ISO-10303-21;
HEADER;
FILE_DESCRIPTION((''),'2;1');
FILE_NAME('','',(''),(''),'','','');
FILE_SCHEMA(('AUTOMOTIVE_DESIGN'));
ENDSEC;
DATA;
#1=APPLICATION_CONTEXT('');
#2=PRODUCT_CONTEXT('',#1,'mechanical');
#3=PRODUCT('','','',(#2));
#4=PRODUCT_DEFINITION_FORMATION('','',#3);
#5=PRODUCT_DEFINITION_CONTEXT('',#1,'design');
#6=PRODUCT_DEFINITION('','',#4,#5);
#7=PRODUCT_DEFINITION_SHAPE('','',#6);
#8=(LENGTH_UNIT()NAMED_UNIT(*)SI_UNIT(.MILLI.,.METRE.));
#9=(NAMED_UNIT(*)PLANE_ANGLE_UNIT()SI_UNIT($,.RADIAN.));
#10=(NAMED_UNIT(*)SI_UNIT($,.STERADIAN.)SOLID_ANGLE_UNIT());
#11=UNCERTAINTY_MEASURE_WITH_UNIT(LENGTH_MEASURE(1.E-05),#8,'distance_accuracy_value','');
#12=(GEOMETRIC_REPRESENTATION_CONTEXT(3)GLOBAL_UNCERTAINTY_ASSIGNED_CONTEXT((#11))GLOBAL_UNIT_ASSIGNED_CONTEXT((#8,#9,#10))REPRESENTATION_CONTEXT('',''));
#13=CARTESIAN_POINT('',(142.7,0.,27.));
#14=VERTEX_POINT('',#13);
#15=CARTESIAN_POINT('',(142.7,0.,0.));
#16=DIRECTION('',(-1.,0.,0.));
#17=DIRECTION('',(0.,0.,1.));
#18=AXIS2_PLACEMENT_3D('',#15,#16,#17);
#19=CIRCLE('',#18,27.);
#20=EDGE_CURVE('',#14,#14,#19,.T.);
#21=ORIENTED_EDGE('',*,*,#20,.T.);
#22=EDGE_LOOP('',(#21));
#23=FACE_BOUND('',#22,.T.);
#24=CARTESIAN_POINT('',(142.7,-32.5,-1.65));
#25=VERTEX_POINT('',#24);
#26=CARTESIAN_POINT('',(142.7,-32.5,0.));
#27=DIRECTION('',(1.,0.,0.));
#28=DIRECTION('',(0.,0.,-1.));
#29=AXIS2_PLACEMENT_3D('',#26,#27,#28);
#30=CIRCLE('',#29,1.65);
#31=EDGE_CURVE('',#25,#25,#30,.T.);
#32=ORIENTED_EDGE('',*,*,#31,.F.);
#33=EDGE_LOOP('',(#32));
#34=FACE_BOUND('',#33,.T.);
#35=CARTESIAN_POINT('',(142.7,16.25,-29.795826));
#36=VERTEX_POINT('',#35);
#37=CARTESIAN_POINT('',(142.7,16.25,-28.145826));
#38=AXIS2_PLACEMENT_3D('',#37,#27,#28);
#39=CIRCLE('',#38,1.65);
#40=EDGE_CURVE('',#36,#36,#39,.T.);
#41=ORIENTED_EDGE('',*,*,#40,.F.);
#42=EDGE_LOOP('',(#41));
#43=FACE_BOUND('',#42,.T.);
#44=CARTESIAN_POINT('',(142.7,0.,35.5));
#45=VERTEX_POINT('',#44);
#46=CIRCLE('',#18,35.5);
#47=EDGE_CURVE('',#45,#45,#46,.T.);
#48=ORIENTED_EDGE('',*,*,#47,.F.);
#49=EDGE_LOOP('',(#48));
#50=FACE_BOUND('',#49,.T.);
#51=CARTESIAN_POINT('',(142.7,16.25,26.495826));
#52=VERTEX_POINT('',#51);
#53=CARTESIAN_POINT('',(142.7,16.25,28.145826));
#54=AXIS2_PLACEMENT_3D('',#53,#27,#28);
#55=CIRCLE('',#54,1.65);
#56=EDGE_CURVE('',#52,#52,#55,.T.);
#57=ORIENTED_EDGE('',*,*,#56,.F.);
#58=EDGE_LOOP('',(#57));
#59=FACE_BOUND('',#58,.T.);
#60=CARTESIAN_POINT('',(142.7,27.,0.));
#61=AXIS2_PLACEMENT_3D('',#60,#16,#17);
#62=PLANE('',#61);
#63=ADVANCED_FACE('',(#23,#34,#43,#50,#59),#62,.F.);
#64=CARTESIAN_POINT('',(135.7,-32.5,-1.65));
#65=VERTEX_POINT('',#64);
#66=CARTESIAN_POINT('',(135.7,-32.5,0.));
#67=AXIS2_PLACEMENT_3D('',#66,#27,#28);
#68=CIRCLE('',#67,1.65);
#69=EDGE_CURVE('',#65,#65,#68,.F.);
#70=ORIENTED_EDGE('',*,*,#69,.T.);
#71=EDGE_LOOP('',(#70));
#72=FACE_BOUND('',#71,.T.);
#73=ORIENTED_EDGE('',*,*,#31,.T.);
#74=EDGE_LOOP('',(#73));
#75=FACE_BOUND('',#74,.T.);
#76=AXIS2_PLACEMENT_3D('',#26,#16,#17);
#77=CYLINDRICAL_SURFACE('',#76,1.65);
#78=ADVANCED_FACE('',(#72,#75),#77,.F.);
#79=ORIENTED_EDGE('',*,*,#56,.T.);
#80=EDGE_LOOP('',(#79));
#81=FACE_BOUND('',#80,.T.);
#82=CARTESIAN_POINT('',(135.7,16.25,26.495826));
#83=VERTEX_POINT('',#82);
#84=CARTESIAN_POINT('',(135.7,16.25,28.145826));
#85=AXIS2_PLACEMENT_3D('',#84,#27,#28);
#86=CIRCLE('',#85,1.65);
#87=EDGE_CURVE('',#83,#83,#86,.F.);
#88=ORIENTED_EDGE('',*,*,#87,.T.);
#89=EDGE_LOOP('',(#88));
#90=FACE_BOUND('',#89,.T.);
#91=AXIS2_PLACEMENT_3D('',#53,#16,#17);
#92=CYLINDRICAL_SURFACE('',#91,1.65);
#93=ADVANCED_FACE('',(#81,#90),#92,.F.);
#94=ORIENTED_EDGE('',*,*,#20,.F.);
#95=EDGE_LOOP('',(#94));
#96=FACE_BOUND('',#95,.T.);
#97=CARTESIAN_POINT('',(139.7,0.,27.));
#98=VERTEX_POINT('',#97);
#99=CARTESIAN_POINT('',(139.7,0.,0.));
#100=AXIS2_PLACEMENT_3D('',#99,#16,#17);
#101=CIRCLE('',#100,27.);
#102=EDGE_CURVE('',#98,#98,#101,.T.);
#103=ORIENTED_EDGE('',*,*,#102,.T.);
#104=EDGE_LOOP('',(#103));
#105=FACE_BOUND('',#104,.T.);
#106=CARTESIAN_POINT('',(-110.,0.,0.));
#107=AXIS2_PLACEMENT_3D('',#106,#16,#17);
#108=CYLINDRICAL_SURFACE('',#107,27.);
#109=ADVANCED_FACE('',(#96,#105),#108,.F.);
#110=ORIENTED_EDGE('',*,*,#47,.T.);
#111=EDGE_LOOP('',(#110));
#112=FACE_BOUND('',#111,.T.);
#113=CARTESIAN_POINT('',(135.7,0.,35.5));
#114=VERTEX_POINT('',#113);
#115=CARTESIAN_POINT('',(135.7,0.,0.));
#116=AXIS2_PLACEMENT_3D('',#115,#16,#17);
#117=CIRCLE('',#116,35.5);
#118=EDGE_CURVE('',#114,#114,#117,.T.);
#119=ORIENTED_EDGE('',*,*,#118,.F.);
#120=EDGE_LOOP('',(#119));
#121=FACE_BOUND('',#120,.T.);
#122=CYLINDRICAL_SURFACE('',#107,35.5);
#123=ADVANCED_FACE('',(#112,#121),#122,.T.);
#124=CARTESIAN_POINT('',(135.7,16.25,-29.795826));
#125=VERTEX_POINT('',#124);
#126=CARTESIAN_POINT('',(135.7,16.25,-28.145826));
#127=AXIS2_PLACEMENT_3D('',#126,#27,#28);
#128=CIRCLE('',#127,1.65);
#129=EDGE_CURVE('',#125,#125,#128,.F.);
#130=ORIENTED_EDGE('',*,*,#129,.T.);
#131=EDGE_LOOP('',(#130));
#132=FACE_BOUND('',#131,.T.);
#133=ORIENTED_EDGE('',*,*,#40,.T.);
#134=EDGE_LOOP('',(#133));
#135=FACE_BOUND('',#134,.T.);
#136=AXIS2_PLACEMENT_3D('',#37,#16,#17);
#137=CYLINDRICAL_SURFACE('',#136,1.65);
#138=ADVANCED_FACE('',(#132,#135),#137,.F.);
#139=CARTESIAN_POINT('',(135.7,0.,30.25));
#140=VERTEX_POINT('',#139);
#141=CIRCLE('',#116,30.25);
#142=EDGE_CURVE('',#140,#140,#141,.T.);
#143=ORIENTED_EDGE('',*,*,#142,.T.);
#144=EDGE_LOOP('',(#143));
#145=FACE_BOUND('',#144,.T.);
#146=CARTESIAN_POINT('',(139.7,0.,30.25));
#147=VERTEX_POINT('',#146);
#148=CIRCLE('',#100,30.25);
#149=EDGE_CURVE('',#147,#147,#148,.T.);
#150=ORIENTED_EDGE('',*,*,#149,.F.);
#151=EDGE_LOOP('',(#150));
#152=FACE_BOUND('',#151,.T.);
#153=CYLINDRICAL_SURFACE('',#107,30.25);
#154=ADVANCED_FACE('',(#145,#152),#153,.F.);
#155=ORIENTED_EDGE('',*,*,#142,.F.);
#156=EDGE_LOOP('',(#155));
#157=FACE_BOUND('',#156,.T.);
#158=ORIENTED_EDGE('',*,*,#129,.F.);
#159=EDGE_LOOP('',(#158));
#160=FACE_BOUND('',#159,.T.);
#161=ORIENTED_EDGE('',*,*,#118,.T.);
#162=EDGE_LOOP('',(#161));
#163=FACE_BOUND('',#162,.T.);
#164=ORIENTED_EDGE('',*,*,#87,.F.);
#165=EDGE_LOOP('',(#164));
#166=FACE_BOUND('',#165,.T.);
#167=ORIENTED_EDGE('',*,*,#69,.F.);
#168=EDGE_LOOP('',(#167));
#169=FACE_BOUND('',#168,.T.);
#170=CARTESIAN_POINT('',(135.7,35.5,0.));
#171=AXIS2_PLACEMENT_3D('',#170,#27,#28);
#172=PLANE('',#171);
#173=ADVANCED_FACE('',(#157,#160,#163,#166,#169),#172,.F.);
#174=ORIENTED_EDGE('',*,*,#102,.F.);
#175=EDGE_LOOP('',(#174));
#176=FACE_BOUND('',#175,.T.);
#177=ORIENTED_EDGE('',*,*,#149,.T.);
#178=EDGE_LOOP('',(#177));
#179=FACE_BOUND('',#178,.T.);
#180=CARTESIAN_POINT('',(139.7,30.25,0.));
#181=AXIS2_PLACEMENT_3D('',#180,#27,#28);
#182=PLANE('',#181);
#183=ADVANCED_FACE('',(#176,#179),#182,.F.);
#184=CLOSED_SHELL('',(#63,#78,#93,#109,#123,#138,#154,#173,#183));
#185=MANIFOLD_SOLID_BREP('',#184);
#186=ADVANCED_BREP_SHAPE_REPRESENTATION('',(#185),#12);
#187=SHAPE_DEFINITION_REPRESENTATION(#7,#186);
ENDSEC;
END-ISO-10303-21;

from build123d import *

# Parameters (mm, degrees)
AXIAL_HOLES_DEPTH      = 152.273890675
AXIAL_HOLES_DEPTH_BACK = 152.273890675
SKETCH2_R              = 1.65


with BuildPart() as part:
    # Axial profile (mm) → Full revolution (revolve)
    with BuildSketch(Plane.XY, mode=Mode.PRIVATE) as full_revolution_sk:
        Polygon((135.7, 30.25), (139.7, 30.25), (139.7, 27), (142.7, 27), (142.7, 35.5), (135.7, 35.5), align=None)
    revolve(full_revolution_sk.sketch.rotate(Axis((-110, 0, 0), (1, 0, 0)), 90), axis=Axis((-110, 0, 0), (1, 0, 0)))

    # Sketch2 → Axial holes (cut, two sides: drawn at the far end of the back side and taken through both)
    with BuildSketch(Plane(origin=(0, 0, 0), x_dir=(0, 0, -1), z_dir=(1, 0, 0)).offset(-AXIAL_HOLES_DEPTH_BACK)):
        with Locations((-28.145825623, 16.25)):
            Circle(SKETCH2_R)
        with Locations((0, -32.5)):
            Circle(SKETCH2_R)
        with Locations((28.145825623, 16.25)):
            Circle(SKETCH2_R)
    extrude(amount=AXIAL_HOLES_DEPTH + AXIAL_HOLES_DEPTH_BACK, mode=Mode.SUBTRACT)


solid = part.part
